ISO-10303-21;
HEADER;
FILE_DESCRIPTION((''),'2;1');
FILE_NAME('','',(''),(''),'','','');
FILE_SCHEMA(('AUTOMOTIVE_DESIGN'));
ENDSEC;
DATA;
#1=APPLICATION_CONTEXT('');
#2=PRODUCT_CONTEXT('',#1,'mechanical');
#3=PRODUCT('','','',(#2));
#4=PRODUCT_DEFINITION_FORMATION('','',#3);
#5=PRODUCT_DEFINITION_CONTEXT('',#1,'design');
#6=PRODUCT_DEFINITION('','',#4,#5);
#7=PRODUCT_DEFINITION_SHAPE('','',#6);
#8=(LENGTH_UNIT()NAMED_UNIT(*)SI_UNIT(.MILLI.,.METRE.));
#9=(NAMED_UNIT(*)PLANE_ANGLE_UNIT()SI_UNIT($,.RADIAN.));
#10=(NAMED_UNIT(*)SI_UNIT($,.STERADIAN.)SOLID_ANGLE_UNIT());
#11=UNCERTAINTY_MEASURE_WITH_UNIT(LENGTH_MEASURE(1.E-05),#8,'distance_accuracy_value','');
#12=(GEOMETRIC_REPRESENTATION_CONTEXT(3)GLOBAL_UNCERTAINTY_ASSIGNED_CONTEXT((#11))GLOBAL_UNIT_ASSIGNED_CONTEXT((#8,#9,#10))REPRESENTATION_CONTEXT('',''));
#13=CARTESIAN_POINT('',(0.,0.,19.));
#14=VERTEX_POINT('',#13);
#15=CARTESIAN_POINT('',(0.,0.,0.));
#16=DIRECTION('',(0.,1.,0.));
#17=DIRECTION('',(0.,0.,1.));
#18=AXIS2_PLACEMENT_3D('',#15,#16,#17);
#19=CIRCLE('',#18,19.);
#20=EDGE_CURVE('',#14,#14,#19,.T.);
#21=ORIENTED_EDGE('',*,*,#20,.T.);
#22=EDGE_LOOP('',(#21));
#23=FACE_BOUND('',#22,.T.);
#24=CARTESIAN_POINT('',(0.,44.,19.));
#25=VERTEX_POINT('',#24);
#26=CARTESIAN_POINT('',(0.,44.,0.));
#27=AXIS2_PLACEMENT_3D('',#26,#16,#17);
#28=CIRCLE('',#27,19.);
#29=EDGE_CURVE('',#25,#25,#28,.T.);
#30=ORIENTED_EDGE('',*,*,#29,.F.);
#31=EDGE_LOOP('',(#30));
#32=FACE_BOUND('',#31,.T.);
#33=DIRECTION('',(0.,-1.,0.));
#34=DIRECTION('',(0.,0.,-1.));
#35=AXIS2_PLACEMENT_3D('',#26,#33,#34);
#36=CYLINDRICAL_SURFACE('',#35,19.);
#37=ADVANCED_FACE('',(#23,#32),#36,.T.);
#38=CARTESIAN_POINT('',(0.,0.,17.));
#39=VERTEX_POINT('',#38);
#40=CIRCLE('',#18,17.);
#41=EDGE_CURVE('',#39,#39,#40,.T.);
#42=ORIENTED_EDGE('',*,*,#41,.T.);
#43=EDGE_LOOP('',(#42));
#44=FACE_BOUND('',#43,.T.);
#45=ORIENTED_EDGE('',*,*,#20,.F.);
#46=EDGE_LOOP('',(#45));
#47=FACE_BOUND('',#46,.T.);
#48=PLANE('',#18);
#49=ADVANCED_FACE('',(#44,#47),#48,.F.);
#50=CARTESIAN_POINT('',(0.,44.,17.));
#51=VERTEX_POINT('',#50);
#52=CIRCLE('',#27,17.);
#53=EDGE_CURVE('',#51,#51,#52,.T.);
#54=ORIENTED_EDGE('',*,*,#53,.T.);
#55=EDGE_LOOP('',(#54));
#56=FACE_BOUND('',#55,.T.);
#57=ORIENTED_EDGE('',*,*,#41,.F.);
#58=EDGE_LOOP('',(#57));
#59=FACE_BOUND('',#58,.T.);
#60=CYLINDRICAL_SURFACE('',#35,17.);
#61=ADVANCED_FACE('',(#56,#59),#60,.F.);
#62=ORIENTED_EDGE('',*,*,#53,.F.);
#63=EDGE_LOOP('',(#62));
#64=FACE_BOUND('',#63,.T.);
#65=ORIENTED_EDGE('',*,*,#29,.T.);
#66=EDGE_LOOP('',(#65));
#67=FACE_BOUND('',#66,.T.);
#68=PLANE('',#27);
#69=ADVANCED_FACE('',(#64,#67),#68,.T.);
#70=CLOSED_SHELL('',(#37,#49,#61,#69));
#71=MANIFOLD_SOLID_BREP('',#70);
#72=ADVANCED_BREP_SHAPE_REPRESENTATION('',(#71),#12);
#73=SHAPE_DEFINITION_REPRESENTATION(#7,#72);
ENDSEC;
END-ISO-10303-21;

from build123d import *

# Parameters (mm, degrees)
SKETCH1_R           = 19
SKETCH1_R_2         = 17
BOSS_EXTRUDE1_DEPTH = 44


with BuildPart() as part:
    # Sketch1 → Boss-Extrude1 (new body)
    with BuildSketch(Plane(origin=(0, 0, 0), x_dir=(1, 0, 0), z_dir=(0, 1, 0))):
        Circle(SKETCH1_R)
        Circle(SKETCH1_R_2, mode=Mode.SUBTRACT)
    extrude(amount=BOSS_EXTRUDE1_DEPTH)


solid = part.part
